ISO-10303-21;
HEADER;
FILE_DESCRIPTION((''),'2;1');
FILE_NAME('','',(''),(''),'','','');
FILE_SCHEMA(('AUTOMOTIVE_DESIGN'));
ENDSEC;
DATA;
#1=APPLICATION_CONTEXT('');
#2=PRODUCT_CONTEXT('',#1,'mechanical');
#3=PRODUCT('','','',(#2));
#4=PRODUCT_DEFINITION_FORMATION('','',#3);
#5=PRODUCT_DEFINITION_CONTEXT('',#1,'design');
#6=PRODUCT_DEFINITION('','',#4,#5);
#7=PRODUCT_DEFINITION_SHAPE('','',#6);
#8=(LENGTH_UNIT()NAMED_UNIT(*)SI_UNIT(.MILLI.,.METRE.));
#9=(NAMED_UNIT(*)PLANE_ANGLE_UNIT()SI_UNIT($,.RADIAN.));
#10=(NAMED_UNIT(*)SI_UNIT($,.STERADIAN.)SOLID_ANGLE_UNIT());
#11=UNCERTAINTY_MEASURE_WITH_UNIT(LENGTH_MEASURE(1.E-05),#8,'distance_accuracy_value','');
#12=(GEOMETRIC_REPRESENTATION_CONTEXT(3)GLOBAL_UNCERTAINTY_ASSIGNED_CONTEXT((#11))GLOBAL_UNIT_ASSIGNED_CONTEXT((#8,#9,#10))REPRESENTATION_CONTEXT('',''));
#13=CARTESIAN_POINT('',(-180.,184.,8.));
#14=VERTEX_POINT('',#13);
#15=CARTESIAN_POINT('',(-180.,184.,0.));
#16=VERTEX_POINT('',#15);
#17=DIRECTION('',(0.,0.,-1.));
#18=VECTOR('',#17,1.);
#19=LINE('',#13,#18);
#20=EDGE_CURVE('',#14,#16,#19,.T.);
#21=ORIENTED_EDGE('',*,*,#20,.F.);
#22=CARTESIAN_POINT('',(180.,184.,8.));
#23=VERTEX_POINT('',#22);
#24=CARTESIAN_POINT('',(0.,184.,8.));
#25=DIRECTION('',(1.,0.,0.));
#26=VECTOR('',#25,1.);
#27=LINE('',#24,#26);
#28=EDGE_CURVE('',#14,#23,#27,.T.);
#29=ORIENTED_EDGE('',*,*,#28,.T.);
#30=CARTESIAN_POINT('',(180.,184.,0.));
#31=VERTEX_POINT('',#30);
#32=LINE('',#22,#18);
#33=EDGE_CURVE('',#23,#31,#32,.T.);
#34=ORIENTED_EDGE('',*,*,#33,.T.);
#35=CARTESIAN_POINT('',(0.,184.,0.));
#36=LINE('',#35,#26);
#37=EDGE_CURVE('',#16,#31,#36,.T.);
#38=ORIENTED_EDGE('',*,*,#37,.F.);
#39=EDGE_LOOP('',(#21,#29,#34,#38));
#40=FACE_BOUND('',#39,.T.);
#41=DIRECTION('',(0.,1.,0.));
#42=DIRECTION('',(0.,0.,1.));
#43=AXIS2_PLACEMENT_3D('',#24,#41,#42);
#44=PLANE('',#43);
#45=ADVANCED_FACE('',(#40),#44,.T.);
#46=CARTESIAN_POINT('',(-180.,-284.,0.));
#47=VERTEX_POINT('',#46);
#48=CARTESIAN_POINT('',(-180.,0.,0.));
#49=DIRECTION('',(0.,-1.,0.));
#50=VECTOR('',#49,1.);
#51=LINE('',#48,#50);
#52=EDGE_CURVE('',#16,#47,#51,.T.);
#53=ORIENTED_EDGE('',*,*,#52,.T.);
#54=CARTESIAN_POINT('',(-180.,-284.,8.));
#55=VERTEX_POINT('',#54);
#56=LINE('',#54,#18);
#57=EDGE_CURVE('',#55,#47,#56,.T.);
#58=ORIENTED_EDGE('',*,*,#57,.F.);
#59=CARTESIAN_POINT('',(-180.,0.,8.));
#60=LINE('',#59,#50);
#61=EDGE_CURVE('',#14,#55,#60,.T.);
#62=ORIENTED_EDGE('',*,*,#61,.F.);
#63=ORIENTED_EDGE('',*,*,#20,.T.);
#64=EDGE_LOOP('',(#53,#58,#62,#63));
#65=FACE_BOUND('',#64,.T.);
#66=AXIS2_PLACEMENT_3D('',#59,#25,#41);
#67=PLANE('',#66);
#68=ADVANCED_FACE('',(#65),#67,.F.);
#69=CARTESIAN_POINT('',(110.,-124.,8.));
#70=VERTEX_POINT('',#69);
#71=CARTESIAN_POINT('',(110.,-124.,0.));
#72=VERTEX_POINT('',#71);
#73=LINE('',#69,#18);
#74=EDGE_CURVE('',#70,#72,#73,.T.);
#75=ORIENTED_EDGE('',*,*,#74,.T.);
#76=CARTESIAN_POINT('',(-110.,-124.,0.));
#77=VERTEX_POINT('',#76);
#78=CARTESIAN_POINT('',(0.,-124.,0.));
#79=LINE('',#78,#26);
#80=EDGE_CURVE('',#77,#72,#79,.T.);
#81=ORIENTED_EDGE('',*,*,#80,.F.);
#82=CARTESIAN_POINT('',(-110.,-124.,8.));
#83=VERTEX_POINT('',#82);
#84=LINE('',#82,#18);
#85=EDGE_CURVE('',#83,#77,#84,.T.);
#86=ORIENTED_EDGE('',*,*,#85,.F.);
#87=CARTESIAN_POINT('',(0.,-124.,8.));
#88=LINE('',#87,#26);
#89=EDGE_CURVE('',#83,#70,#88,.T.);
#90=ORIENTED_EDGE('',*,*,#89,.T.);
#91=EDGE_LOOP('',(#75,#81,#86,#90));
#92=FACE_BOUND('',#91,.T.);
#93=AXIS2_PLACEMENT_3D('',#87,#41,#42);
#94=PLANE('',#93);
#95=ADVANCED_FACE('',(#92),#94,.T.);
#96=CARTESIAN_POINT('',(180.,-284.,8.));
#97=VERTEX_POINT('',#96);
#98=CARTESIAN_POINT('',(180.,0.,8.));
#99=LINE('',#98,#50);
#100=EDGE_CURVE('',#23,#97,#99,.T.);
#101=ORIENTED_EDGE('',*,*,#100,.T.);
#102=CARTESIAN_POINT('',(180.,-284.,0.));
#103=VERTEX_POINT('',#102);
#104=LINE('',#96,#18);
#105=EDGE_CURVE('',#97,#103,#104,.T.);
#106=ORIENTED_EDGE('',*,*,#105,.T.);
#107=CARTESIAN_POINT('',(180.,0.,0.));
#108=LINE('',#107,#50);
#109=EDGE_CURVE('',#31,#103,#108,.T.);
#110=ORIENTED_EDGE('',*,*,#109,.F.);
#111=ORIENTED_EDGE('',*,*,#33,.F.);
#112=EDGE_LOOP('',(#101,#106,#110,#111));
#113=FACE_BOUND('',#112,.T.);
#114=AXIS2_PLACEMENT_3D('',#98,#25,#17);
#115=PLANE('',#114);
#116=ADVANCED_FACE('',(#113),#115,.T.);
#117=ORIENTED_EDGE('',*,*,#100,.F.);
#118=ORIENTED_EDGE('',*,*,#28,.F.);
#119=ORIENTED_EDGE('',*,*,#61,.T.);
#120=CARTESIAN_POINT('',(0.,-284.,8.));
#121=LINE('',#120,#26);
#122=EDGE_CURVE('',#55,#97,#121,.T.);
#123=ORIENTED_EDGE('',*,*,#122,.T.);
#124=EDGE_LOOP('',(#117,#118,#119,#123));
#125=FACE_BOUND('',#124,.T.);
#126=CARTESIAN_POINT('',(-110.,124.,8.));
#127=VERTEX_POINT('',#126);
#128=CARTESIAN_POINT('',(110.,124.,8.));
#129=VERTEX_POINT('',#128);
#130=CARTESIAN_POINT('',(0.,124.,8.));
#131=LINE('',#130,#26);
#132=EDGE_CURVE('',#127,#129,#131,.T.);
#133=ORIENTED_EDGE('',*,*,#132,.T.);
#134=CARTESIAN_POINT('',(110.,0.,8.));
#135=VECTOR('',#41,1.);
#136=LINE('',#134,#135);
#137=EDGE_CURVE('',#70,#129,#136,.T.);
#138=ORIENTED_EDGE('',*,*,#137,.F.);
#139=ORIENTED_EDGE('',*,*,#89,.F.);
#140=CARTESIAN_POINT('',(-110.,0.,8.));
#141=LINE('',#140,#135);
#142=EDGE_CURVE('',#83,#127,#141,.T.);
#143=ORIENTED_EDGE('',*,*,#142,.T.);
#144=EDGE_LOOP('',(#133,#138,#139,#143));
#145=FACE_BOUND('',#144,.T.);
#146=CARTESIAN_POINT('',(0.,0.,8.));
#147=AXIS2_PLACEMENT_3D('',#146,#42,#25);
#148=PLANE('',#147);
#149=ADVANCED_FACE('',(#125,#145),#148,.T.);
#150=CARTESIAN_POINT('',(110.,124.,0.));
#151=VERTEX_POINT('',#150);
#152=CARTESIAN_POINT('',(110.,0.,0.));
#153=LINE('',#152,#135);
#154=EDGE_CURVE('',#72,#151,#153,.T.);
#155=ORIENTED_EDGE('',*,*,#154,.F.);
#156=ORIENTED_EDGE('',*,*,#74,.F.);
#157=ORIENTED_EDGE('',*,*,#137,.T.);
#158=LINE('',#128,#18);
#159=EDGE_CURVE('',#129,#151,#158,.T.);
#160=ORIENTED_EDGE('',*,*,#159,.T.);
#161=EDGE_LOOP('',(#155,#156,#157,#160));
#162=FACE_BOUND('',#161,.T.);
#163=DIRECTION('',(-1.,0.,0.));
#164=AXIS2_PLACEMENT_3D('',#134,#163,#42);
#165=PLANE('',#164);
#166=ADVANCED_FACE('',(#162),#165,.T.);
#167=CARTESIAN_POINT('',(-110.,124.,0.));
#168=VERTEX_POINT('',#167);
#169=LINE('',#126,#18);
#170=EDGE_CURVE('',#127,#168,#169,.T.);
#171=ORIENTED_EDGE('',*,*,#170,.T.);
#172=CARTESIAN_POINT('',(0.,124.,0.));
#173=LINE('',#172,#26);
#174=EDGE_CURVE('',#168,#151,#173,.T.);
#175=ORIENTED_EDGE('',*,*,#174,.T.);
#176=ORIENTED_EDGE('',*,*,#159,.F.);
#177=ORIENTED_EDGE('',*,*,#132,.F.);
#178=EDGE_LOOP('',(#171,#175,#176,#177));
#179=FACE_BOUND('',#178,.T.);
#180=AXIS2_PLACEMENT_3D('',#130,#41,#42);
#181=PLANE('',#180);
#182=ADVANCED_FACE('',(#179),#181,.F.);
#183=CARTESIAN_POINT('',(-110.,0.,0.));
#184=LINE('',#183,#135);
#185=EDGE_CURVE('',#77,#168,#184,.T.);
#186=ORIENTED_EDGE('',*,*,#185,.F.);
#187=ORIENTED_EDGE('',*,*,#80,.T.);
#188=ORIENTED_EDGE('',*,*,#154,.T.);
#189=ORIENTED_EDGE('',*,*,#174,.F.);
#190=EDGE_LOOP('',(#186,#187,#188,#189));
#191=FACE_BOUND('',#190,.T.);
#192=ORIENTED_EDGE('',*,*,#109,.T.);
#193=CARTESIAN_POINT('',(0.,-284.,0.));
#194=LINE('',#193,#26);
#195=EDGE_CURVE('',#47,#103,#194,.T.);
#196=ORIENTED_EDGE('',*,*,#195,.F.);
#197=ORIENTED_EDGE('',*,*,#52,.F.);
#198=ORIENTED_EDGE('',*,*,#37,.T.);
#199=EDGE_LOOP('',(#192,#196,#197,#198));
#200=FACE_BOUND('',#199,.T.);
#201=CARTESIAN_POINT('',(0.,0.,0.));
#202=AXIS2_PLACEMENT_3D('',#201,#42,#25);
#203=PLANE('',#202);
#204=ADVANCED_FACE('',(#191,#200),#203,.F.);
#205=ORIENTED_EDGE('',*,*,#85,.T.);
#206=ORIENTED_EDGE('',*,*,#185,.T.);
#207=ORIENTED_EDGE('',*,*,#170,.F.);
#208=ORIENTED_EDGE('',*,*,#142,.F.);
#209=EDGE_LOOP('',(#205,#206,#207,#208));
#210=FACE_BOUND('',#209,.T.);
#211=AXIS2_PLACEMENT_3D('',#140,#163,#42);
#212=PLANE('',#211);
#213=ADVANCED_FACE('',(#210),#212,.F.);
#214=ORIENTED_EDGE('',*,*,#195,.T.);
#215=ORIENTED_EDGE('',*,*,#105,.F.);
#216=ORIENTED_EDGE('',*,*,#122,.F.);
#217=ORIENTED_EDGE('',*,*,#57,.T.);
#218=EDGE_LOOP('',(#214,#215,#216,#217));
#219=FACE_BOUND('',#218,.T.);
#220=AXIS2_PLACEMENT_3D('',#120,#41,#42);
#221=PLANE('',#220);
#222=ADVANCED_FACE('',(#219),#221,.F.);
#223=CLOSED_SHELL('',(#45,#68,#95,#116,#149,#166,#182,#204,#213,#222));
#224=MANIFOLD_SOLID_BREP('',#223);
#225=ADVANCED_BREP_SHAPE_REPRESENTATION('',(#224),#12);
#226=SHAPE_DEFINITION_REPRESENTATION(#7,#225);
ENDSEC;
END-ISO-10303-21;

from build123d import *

# Parameters (mm, degrees)
SKETCH1_W           = 360
SKETCH1_H           = 90
SKETCH1_H_2         = 378
SKETCH1_W_2         = 220
SKETCH1_H_3         = 248
BOSS_EXTRUDE1_DEPTH = 8


with BuildPart() as part:
    # Sketch1 → Boss-Extrude1 (new body)
    # profile 1 of 2: a face of its own
    with BuildSketch(Plane.XY):
        with Locations((0, -239)):
            Rectangle(SKETCH1_W, SKETCH1_H)
    # profile 2 of 2: a face of its own
    with BuildSketch(Plane.XY):
        with Locations((0, -5)):
            Rectangle(SKETCH1_W, SKETCH1_H_2)
        Rectangle(SKETCH1_W_2, SKETCH1_H_3, mode=Mode.SUBTRACT)
    extrude(amount=BOSS_EXTRUDE1_DEPTH)


solid = part.part
